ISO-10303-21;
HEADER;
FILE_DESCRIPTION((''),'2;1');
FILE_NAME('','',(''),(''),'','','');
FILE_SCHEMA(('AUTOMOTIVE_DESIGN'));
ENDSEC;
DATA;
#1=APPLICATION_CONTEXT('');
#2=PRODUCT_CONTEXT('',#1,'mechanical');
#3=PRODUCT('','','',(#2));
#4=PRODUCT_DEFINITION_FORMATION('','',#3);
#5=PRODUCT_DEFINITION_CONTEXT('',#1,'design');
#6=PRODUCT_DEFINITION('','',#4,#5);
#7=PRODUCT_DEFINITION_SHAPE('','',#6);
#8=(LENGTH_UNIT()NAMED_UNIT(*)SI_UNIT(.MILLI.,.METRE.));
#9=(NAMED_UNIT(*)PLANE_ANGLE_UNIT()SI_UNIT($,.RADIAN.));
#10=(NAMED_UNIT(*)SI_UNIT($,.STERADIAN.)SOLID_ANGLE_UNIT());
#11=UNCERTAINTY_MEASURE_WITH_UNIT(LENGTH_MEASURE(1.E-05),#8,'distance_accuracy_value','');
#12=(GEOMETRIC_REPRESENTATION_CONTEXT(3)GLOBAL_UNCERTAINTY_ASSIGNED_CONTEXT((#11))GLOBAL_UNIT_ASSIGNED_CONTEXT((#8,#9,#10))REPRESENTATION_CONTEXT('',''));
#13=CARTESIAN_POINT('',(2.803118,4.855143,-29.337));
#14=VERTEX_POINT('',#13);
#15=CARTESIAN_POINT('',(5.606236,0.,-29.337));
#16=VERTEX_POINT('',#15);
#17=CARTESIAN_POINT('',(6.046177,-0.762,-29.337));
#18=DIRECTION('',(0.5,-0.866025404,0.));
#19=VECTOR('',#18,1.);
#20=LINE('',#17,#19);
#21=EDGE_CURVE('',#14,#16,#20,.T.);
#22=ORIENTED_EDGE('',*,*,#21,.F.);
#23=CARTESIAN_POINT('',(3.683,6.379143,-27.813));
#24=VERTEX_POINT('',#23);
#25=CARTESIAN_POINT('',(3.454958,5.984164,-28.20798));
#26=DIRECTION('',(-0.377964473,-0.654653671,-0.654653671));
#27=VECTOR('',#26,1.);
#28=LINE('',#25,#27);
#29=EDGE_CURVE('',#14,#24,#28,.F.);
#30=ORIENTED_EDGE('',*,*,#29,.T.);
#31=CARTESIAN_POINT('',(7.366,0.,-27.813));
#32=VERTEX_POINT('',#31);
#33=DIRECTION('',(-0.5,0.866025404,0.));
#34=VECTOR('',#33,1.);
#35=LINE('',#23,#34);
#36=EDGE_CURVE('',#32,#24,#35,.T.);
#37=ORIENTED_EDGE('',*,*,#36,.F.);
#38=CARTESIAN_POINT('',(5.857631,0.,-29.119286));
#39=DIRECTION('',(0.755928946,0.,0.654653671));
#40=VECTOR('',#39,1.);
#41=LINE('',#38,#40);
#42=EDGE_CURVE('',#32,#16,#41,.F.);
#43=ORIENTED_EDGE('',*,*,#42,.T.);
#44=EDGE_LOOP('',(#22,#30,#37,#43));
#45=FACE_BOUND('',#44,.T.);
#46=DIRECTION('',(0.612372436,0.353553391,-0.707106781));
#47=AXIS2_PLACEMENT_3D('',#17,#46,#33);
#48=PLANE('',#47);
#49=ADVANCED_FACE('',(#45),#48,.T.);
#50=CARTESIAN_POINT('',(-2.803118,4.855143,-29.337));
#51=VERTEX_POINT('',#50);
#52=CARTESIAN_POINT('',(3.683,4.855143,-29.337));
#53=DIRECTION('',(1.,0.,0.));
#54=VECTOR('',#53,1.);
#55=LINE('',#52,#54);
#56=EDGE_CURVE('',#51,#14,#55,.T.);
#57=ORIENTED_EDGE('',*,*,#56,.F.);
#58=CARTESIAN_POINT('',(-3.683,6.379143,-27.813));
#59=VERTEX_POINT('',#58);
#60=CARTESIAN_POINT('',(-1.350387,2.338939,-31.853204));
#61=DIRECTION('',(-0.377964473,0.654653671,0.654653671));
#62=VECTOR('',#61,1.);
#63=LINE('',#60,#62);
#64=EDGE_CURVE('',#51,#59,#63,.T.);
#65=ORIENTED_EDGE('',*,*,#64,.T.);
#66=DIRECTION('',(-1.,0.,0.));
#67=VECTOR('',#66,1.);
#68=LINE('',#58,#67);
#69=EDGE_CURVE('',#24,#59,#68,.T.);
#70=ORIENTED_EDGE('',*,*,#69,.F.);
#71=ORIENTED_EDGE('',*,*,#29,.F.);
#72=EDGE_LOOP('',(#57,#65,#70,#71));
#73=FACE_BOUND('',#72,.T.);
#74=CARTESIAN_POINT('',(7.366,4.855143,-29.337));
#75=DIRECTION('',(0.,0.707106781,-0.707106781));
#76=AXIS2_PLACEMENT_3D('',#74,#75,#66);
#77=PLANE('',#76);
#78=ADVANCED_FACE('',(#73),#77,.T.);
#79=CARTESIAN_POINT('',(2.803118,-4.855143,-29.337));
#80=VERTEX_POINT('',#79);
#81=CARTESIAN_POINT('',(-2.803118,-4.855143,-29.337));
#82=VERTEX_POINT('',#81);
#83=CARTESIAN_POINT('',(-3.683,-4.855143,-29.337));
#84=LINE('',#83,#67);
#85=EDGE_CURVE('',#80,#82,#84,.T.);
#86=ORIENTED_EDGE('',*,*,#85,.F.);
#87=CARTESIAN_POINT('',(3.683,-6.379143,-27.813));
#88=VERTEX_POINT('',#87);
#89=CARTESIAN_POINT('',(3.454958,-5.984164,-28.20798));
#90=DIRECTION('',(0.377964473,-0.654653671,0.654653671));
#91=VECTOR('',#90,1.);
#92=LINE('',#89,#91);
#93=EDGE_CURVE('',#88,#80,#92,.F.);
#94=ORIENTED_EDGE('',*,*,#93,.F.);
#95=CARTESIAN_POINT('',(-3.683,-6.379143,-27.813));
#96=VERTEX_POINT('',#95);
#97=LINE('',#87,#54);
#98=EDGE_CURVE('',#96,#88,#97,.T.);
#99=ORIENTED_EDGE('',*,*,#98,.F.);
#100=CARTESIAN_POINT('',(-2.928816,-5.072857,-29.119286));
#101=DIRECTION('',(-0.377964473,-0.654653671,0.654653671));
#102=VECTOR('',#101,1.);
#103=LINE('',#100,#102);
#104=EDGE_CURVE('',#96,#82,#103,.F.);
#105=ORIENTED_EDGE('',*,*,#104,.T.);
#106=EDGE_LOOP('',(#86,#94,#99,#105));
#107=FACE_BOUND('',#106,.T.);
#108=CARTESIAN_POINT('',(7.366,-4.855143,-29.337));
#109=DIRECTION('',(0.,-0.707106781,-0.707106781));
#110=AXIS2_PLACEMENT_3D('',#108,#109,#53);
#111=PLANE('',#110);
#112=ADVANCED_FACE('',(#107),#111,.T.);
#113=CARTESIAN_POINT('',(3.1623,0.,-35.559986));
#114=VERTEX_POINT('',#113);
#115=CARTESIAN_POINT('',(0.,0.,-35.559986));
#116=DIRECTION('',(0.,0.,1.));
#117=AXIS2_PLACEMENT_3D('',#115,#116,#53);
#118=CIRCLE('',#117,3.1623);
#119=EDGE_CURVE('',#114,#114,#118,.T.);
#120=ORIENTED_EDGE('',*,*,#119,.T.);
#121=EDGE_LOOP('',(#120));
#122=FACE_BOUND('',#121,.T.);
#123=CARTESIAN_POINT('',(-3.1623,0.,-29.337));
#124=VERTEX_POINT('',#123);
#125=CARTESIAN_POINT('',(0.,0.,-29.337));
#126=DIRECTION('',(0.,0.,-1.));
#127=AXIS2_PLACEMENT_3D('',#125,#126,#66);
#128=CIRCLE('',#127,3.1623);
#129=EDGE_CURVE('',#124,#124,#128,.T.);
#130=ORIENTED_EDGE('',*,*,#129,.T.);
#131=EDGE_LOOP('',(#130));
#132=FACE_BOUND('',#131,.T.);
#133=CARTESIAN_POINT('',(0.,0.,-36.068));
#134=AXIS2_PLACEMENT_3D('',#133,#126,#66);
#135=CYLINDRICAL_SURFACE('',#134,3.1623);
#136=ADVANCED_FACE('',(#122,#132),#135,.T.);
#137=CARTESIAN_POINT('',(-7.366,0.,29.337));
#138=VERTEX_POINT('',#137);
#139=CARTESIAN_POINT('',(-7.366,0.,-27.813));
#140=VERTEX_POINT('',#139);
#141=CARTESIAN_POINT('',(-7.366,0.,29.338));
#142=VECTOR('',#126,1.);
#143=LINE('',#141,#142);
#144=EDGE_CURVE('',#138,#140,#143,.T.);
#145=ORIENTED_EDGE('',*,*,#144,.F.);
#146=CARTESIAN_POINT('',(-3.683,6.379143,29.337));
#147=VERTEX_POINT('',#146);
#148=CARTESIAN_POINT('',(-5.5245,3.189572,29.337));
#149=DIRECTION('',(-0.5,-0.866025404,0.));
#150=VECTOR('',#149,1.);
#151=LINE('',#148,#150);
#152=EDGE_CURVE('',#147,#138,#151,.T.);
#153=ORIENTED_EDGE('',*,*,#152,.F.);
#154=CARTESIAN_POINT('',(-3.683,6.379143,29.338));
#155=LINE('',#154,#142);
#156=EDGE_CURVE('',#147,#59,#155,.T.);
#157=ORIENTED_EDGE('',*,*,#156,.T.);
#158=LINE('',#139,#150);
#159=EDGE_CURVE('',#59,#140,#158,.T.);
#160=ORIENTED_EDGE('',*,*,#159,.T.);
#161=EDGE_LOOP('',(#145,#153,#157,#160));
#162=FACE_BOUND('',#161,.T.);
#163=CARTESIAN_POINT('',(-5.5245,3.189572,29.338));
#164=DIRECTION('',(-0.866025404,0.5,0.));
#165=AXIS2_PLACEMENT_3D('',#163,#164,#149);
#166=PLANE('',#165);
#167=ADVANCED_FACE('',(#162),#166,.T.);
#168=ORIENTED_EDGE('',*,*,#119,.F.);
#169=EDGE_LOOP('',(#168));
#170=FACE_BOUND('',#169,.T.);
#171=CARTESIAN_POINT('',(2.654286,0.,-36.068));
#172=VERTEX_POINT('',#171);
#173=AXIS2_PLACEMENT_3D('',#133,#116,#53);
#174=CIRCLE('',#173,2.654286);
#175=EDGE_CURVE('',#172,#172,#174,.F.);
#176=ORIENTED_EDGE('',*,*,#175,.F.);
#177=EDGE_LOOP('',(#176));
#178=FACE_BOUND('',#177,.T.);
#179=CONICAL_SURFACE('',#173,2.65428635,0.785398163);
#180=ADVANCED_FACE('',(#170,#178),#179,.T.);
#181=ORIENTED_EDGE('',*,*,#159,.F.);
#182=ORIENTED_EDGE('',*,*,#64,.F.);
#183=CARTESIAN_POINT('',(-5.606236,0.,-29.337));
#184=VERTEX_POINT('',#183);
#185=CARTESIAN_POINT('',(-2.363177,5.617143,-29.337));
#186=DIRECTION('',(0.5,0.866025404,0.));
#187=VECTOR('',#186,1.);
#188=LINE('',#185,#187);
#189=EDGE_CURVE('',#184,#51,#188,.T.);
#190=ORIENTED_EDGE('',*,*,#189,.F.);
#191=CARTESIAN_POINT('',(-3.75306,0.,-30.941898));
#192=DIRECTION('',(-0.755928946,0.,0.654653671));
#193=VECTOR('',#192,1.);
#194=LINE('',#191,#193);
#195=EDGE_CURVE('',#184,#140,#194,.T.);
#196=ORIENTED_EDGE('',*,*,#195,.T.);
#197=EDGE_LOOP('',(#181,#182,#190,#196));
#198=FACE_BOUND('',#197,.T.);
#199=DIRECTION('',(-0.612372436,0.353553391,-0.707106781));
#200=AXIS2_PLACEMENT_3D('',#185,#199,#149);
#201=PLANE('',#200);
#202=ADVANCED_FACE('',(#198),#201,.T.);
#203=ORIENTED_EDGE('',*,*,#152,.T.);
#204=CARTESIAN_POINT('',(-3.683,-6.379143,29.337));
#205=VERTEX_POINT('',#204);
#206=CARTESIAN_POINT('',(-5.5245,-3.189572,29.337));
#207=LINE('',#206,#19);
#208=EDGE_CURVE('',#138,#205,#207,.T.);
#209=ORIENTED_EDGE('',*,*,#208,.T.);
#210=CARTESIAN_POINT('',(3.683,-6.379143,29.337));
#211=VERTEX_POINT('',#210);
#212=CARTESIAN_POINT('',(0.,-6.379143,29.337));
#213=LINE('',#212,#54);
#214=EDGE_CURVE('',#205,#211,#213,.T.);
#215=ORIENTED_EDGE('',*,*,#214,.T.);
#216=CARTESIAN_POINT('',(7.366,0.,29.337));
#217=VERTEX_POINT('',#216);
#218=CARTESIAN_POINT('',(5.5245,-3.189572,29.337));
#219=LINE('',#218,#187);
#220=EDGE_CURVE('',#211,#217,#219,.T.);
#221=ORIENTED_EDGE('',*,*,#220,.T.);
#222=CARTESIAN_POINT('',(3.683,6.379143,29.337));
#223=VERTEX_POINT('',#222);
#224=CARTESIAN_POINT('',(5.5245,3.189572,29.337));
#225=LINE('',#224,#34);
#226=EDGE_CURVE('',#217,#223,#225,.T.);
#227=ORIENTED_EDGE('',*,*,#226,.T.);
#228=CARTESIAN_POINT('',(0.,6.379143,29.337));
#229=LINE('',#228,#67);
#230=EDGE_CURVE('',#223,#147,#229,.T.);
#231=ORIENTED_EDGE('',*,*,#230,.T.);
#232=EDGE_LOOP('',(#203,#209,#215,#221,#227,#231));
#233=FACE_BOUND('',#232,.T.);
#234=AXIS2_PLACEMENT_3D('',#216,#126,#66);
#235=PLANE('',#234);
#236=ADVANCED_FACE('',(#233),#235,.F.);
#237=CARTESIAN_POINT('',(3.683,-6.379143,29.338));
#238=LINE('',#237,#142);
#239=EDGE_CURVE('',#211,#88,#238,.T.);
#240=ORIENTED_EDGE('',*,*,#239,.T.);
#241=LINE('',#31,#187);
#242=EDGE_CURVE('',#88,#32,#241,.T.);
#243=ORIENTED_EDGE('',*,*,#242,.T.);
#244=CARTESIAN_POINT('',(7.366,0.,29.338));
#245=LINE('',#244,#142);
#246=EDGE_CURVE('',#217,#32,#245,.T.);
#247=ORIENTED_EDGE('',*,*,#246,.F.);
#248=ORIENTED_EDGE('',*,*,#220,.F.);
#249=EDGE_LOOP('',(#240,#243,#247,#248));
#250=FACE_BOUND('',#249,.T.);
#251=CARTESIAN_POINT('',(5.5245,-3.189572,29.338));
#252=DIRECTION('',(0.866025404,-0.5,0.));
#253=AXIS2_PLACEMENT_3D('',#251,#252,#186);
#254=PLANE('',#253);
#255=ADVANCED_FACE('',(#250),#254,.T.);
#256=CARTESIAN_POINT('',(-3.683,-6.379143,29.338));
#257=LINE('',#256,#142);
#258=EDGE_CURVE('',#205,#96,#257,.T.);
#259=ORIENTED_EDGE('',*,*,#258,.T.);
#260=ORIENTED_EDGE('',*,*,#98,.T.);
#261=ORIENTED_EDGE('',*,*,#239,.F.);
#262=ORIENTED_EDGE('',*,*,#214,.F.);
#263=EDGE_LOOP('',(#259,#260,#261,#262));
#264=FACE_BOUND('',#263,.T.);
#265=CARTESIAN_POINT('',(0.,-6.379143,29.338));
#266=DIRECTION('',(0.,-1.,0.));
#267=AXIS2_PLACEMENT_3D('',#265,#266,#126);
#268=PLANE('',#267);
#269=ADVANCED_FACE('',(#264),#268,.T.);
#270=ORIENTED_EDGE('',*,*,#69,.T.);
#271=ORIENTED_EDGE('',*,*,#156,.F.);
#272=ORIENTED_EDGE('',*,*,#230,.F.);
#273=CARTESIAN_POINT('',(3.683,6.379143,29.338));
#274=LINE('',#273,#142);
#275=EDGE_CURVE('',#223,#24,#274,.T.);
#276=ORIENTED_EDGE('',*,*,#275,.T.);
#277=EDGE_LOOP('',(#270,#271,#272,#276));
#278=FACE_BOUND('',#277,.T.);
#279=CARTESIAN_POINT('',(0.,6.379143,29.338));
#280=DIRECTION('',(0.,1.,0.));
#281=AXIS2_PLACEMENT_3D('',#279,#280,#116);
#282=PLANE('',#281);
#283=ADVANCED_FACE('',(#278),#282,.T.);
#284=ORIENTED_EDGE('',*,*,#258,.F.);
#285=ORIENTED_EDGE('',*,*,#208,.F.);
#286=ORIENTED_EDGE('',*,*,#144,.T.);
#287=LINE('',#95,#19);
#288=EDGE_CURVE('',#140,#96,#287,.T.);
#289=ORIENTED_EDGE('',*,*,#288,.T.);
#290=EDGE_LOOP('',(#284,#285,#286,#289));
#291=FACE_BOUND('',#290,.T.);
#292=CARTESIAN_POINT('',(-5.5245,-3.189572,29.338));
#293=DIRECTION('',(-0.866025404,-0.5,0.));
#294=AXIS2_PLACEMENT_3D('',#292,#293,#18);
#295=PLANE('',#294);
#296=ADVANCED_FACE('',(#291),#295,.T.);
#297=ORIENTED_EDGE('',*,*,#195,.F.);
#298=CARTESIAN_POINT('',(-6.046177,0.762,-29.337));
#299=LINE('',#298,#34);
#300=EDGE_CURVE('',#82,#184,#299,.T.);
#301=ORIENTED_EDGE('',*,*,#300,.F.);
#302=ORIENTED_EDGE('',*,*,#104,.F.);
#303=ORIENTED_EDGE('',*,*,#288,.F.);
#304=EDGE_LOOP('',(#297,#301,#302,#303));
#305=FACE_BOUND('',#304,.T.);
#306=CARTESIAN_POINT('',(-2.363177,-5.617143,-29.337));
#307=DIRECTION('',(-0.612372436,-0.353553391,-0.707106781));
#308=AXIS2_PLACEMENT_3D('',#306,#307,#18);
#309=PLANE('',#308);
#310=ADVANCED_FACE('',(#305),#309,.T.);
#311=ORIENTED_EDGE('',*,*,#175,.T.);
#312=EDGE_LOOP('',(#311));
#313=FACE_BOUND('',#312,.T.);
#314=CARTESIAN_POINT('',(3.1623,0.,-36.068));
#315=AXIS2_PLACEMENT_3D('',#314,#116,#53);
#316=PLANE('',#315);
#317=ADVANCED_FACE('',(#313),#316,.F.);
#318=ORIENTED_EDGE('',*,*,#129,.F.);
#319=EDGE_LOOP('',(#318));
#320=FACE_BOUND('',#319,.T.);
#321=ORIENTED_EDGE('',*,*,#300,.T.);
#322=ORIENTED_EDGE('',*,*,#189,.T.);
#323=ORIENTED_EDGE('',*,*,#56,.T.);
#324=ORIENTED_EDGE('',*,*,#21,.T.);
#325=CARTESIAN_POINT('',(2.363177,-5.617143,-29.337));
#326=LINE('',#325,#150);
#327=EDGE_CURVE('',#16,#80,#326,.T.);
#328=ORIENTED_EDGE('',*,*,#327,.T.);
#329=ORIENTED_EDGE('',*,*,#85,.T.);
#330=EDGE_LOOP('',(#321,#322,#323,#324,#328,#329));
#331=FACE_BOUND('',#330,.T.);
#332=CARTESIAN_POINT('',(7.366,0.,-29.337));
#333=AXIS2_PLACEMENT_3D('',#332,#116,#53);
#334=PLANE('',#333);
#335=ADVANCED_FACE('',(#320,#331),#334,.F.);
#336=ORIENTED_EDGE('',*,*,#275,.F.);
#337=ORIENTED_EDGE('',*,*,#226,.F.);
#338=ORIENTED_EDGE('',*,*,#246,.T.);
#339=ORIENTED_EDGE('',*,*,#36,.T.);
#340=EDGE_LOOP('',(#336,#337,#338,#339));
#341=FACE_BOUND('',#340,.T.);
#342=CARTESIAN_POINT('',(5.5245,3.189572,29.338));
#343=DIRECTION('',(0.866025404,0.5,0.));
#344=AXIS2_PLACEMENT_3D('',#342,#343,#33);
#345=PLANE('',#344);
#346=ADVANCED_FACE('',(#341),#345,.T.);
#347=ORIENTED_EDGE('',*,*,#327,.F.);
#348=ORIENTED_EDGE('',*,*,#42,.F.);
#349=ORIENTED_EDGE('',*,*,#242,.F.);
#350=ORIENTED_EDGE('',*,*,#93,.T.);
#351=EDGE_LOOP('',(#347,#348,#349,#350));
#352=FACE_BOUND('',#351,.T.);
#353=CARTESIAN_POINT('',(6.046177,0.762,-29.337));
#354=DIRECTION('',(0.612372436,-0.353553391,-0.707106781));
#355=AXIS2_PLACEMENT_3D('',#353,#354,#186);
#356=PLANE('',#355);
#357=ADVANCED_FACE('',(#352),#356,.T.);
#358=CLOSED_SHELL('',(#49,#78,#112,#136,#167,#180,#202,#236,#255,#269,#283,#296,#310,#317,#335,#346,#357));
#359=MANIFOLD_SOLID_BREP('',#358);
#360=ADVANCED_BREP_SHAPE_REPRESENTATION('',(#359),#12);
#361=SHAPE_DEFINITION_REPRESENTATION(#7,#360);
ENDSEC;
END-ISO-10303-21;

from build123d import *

# Parameters (mm, degrees)
CHAMFER1_SIZE  = 0.50801365
EXTRUDE1_REACH = 60.674
CHAMFER2_SIZE  = 1.524


with BuildPart() as part:
    # Sketch1 → Revolve1 (revolve)
    with BuildSketch(Plane(origin=(0, 0, 0), x_dir=(1, 0, 0), z_dir=(0, 1, 0)), mode=Mode.PRIVATE) as revolve1_sk:
        Polygon((7.366, -29.337), (7.366, 29.337), (3.1623, 29.337), (3.1623, 36.068), (0, 36.068), (0, -29.337), align=None)
    revolve(revolve1_sk.sketch.rotate(Axis((0, 0, -36.068), (0, 0, 1)), 180), axis=Axis((0, 0, -36.068), (0, 0, 1)))  # turned: the seam where the file's is

    # Chamfer1
    chamfer1_edges = [part.edges().sort_by_distance(p)[0] for p in [
        (3.1623, 0, -36.068),
    ]]
    chamfer(chamfer1_edges, length=CHAMFER1_SIZE)

    # Sketch2 → Extrude1 (cut, up to next)
    with BuildSketch(Plane(origin=(0, 0, -29.337), x_dir=(-1, 0, 0), z_dir=(0, 0, -1)), mode=Mode.PRIVATE) as extrude1_sk1:
        with BuildLine():
            ThreePointArc((3.683, 6.379143124), (0, 7.366), (-3.683, 6.379143124))
            Line((-3.683, 6.379143124), (3.683, 6.379143124))
        make_face()
    extrude1_tool1 = extrude(extrude1_sk1.sketch, amount=-EXTRUDE1_REACH, mode=Mode.PRIVATE) & part.part
    add(extrude1_tool1.solids().sort_by_distance((0, 6.776244, -29.337))[0], mode=Mode.SUBTRACT)
    # Sketch2 → Extrude1 (cut, up to next)
    with BuildSketch(Plane(origin=(0, 0, -29.337), x_dir=(-1, 0, 0), z_dir=(0, 0, -1)), mode=Mode.PRIVATE) as extrude1_sk2:
        with BuildLine():
            ThreePointArc((7.366, 0), (6.379143124, 3.683), (3.683, 6.379143124))
            Line((3.683, 6.379143124), (7.366, 0))
        make_face()
    extrude1_tool2 = extrude(extrude1_sk2.sketch, amount=-EXTRUDE1_REACH, mode=Mode.PRIVATE) & part.part
    add(extrude1_tool2.solids().sort_by_distance((-5.868399, 3.388122, -29.337))[0], mode=Mode.SUBTRACT)
    # Sketch2 → Extrude1 (cut, up to next)
    with BuildSketch(Plane(origin=(0, 0, -29.337), x_dir=(-1, 0, 0), z_dir=(0, 0, -1)), mode=Mode.PRIVATE) as extrude1_sk3:
        with BuildLine():
            Line((7.366, 0), (3.683, -6.379143124))
            ThreePointArc((3.683, -6.379143124), (6.379143124, -3.683), (7.366, 0))
        make_face()
    extrude1_tool3 = extrude(extrude1_sk3.sketch, amount=-EXTRUDE1_REACH, mode=Mode.PRIVATE) & part.part
    add(extrude1_tool3.solids().sort_by_distance((-5.868399, -3.388122, -29.337))[0], mode=Mode.SUBTRACT)
    # Sketch2 → Extrude1 (cut, up to next)
    with BuildSketch(Plane(origin=(0, 0, -29.337), x_dir=(-1, 0, 0), z_dir=(0, 0, -1)), mode=Mode.PRIVATE) as extrude1_sk4:
        with BuildLine():
            Line((3.683, -6.379143124), (-3.683, -6.379143124))
            ThreePointArc((-3.683, -6.379143124), (0, -7.366), (3.683, -6.379143124))
        make_face()
    extrude1_tool4 = extrude(extrude1_sk4.sketch, amount=-EXTRUDE1_REACH, mode=Mode.PRIVATE) & part.part
    add(extrude1_tool4.solids().sort_by_distance((0, -6.776244, -29.337))[0], mode=Mode.SUBTRACT)
    # Sketch2 → Extrude1 (cut, up to next)
    with BuildSketch(Plane(origin=(0, 0, -29.337), x_dir=(-1, 0, 0), z_dir=(0, 0, -1)), mode=Mode.PRIVATE) as extrude1_sk5:
        with BuildLine():
            Line((-3.683, -6.379143124), (-7.366, 0))
            ThreePointArc((-7.366, 0), (-6.379143124, -3.683), (-3.683, -6.379143124))
        make_face()
    extrude1_tool5 = extrude(extrude1_sk5.sketch, amount=-EXTRUDE1_REACH, mode=Mode.PRIVATE) & part.part
    add(extrude1_tool5.solids().sort_by_distance((5.868399, -3.388122, -29.337))[0], mode=Mode.SUBTRACT)
    # Sketch2 → Extrude1 (cut, up to next)
    with BuildSketch(Plane(origin=(0, 0, -29.337), x_dir=(-1, 0, 0), z_dir=(0, 0, -1)), mode=Mode.PRIVATE) as extrude1_sk6:
        with BuildLine():
            ThreePointArc((-3.683, 6.379143124), (-6.379143124, 3.683), (-7.366, 0))
            Line((-7.366, 0), (-3.683, 6.379143124))
        make_face()
    extrude1_tool6 = extrude(extrude1_sk6.sketch, amount=-EXTRUDE1_REACH, mode=Mode.PRIVATE) & part.part
    add(extrude1_tool6.solids().sort_by_distance((5.868399, 3.388122, -29.337))[0], mode=Mode.SUBTRACT)

    # Chamfer2
    chamfer2_edges = [part.edges().sort_by_distance(p)[0] for p in [
        (0, 6.379143124, -29.337),
        (-5.5245, 3.189571562, -29.337),
        (-5.5245, -3.189571562, -29.337),
        (0, -6.379143124, -29.337),
        (5.5245, -3.189571562, -29.337),
        (5.5245, 3.189571562, -29.337),
    ]]
    chamfer(chamfer2_edges, length=CHAMFER2_SIZE)


solid = part.part
